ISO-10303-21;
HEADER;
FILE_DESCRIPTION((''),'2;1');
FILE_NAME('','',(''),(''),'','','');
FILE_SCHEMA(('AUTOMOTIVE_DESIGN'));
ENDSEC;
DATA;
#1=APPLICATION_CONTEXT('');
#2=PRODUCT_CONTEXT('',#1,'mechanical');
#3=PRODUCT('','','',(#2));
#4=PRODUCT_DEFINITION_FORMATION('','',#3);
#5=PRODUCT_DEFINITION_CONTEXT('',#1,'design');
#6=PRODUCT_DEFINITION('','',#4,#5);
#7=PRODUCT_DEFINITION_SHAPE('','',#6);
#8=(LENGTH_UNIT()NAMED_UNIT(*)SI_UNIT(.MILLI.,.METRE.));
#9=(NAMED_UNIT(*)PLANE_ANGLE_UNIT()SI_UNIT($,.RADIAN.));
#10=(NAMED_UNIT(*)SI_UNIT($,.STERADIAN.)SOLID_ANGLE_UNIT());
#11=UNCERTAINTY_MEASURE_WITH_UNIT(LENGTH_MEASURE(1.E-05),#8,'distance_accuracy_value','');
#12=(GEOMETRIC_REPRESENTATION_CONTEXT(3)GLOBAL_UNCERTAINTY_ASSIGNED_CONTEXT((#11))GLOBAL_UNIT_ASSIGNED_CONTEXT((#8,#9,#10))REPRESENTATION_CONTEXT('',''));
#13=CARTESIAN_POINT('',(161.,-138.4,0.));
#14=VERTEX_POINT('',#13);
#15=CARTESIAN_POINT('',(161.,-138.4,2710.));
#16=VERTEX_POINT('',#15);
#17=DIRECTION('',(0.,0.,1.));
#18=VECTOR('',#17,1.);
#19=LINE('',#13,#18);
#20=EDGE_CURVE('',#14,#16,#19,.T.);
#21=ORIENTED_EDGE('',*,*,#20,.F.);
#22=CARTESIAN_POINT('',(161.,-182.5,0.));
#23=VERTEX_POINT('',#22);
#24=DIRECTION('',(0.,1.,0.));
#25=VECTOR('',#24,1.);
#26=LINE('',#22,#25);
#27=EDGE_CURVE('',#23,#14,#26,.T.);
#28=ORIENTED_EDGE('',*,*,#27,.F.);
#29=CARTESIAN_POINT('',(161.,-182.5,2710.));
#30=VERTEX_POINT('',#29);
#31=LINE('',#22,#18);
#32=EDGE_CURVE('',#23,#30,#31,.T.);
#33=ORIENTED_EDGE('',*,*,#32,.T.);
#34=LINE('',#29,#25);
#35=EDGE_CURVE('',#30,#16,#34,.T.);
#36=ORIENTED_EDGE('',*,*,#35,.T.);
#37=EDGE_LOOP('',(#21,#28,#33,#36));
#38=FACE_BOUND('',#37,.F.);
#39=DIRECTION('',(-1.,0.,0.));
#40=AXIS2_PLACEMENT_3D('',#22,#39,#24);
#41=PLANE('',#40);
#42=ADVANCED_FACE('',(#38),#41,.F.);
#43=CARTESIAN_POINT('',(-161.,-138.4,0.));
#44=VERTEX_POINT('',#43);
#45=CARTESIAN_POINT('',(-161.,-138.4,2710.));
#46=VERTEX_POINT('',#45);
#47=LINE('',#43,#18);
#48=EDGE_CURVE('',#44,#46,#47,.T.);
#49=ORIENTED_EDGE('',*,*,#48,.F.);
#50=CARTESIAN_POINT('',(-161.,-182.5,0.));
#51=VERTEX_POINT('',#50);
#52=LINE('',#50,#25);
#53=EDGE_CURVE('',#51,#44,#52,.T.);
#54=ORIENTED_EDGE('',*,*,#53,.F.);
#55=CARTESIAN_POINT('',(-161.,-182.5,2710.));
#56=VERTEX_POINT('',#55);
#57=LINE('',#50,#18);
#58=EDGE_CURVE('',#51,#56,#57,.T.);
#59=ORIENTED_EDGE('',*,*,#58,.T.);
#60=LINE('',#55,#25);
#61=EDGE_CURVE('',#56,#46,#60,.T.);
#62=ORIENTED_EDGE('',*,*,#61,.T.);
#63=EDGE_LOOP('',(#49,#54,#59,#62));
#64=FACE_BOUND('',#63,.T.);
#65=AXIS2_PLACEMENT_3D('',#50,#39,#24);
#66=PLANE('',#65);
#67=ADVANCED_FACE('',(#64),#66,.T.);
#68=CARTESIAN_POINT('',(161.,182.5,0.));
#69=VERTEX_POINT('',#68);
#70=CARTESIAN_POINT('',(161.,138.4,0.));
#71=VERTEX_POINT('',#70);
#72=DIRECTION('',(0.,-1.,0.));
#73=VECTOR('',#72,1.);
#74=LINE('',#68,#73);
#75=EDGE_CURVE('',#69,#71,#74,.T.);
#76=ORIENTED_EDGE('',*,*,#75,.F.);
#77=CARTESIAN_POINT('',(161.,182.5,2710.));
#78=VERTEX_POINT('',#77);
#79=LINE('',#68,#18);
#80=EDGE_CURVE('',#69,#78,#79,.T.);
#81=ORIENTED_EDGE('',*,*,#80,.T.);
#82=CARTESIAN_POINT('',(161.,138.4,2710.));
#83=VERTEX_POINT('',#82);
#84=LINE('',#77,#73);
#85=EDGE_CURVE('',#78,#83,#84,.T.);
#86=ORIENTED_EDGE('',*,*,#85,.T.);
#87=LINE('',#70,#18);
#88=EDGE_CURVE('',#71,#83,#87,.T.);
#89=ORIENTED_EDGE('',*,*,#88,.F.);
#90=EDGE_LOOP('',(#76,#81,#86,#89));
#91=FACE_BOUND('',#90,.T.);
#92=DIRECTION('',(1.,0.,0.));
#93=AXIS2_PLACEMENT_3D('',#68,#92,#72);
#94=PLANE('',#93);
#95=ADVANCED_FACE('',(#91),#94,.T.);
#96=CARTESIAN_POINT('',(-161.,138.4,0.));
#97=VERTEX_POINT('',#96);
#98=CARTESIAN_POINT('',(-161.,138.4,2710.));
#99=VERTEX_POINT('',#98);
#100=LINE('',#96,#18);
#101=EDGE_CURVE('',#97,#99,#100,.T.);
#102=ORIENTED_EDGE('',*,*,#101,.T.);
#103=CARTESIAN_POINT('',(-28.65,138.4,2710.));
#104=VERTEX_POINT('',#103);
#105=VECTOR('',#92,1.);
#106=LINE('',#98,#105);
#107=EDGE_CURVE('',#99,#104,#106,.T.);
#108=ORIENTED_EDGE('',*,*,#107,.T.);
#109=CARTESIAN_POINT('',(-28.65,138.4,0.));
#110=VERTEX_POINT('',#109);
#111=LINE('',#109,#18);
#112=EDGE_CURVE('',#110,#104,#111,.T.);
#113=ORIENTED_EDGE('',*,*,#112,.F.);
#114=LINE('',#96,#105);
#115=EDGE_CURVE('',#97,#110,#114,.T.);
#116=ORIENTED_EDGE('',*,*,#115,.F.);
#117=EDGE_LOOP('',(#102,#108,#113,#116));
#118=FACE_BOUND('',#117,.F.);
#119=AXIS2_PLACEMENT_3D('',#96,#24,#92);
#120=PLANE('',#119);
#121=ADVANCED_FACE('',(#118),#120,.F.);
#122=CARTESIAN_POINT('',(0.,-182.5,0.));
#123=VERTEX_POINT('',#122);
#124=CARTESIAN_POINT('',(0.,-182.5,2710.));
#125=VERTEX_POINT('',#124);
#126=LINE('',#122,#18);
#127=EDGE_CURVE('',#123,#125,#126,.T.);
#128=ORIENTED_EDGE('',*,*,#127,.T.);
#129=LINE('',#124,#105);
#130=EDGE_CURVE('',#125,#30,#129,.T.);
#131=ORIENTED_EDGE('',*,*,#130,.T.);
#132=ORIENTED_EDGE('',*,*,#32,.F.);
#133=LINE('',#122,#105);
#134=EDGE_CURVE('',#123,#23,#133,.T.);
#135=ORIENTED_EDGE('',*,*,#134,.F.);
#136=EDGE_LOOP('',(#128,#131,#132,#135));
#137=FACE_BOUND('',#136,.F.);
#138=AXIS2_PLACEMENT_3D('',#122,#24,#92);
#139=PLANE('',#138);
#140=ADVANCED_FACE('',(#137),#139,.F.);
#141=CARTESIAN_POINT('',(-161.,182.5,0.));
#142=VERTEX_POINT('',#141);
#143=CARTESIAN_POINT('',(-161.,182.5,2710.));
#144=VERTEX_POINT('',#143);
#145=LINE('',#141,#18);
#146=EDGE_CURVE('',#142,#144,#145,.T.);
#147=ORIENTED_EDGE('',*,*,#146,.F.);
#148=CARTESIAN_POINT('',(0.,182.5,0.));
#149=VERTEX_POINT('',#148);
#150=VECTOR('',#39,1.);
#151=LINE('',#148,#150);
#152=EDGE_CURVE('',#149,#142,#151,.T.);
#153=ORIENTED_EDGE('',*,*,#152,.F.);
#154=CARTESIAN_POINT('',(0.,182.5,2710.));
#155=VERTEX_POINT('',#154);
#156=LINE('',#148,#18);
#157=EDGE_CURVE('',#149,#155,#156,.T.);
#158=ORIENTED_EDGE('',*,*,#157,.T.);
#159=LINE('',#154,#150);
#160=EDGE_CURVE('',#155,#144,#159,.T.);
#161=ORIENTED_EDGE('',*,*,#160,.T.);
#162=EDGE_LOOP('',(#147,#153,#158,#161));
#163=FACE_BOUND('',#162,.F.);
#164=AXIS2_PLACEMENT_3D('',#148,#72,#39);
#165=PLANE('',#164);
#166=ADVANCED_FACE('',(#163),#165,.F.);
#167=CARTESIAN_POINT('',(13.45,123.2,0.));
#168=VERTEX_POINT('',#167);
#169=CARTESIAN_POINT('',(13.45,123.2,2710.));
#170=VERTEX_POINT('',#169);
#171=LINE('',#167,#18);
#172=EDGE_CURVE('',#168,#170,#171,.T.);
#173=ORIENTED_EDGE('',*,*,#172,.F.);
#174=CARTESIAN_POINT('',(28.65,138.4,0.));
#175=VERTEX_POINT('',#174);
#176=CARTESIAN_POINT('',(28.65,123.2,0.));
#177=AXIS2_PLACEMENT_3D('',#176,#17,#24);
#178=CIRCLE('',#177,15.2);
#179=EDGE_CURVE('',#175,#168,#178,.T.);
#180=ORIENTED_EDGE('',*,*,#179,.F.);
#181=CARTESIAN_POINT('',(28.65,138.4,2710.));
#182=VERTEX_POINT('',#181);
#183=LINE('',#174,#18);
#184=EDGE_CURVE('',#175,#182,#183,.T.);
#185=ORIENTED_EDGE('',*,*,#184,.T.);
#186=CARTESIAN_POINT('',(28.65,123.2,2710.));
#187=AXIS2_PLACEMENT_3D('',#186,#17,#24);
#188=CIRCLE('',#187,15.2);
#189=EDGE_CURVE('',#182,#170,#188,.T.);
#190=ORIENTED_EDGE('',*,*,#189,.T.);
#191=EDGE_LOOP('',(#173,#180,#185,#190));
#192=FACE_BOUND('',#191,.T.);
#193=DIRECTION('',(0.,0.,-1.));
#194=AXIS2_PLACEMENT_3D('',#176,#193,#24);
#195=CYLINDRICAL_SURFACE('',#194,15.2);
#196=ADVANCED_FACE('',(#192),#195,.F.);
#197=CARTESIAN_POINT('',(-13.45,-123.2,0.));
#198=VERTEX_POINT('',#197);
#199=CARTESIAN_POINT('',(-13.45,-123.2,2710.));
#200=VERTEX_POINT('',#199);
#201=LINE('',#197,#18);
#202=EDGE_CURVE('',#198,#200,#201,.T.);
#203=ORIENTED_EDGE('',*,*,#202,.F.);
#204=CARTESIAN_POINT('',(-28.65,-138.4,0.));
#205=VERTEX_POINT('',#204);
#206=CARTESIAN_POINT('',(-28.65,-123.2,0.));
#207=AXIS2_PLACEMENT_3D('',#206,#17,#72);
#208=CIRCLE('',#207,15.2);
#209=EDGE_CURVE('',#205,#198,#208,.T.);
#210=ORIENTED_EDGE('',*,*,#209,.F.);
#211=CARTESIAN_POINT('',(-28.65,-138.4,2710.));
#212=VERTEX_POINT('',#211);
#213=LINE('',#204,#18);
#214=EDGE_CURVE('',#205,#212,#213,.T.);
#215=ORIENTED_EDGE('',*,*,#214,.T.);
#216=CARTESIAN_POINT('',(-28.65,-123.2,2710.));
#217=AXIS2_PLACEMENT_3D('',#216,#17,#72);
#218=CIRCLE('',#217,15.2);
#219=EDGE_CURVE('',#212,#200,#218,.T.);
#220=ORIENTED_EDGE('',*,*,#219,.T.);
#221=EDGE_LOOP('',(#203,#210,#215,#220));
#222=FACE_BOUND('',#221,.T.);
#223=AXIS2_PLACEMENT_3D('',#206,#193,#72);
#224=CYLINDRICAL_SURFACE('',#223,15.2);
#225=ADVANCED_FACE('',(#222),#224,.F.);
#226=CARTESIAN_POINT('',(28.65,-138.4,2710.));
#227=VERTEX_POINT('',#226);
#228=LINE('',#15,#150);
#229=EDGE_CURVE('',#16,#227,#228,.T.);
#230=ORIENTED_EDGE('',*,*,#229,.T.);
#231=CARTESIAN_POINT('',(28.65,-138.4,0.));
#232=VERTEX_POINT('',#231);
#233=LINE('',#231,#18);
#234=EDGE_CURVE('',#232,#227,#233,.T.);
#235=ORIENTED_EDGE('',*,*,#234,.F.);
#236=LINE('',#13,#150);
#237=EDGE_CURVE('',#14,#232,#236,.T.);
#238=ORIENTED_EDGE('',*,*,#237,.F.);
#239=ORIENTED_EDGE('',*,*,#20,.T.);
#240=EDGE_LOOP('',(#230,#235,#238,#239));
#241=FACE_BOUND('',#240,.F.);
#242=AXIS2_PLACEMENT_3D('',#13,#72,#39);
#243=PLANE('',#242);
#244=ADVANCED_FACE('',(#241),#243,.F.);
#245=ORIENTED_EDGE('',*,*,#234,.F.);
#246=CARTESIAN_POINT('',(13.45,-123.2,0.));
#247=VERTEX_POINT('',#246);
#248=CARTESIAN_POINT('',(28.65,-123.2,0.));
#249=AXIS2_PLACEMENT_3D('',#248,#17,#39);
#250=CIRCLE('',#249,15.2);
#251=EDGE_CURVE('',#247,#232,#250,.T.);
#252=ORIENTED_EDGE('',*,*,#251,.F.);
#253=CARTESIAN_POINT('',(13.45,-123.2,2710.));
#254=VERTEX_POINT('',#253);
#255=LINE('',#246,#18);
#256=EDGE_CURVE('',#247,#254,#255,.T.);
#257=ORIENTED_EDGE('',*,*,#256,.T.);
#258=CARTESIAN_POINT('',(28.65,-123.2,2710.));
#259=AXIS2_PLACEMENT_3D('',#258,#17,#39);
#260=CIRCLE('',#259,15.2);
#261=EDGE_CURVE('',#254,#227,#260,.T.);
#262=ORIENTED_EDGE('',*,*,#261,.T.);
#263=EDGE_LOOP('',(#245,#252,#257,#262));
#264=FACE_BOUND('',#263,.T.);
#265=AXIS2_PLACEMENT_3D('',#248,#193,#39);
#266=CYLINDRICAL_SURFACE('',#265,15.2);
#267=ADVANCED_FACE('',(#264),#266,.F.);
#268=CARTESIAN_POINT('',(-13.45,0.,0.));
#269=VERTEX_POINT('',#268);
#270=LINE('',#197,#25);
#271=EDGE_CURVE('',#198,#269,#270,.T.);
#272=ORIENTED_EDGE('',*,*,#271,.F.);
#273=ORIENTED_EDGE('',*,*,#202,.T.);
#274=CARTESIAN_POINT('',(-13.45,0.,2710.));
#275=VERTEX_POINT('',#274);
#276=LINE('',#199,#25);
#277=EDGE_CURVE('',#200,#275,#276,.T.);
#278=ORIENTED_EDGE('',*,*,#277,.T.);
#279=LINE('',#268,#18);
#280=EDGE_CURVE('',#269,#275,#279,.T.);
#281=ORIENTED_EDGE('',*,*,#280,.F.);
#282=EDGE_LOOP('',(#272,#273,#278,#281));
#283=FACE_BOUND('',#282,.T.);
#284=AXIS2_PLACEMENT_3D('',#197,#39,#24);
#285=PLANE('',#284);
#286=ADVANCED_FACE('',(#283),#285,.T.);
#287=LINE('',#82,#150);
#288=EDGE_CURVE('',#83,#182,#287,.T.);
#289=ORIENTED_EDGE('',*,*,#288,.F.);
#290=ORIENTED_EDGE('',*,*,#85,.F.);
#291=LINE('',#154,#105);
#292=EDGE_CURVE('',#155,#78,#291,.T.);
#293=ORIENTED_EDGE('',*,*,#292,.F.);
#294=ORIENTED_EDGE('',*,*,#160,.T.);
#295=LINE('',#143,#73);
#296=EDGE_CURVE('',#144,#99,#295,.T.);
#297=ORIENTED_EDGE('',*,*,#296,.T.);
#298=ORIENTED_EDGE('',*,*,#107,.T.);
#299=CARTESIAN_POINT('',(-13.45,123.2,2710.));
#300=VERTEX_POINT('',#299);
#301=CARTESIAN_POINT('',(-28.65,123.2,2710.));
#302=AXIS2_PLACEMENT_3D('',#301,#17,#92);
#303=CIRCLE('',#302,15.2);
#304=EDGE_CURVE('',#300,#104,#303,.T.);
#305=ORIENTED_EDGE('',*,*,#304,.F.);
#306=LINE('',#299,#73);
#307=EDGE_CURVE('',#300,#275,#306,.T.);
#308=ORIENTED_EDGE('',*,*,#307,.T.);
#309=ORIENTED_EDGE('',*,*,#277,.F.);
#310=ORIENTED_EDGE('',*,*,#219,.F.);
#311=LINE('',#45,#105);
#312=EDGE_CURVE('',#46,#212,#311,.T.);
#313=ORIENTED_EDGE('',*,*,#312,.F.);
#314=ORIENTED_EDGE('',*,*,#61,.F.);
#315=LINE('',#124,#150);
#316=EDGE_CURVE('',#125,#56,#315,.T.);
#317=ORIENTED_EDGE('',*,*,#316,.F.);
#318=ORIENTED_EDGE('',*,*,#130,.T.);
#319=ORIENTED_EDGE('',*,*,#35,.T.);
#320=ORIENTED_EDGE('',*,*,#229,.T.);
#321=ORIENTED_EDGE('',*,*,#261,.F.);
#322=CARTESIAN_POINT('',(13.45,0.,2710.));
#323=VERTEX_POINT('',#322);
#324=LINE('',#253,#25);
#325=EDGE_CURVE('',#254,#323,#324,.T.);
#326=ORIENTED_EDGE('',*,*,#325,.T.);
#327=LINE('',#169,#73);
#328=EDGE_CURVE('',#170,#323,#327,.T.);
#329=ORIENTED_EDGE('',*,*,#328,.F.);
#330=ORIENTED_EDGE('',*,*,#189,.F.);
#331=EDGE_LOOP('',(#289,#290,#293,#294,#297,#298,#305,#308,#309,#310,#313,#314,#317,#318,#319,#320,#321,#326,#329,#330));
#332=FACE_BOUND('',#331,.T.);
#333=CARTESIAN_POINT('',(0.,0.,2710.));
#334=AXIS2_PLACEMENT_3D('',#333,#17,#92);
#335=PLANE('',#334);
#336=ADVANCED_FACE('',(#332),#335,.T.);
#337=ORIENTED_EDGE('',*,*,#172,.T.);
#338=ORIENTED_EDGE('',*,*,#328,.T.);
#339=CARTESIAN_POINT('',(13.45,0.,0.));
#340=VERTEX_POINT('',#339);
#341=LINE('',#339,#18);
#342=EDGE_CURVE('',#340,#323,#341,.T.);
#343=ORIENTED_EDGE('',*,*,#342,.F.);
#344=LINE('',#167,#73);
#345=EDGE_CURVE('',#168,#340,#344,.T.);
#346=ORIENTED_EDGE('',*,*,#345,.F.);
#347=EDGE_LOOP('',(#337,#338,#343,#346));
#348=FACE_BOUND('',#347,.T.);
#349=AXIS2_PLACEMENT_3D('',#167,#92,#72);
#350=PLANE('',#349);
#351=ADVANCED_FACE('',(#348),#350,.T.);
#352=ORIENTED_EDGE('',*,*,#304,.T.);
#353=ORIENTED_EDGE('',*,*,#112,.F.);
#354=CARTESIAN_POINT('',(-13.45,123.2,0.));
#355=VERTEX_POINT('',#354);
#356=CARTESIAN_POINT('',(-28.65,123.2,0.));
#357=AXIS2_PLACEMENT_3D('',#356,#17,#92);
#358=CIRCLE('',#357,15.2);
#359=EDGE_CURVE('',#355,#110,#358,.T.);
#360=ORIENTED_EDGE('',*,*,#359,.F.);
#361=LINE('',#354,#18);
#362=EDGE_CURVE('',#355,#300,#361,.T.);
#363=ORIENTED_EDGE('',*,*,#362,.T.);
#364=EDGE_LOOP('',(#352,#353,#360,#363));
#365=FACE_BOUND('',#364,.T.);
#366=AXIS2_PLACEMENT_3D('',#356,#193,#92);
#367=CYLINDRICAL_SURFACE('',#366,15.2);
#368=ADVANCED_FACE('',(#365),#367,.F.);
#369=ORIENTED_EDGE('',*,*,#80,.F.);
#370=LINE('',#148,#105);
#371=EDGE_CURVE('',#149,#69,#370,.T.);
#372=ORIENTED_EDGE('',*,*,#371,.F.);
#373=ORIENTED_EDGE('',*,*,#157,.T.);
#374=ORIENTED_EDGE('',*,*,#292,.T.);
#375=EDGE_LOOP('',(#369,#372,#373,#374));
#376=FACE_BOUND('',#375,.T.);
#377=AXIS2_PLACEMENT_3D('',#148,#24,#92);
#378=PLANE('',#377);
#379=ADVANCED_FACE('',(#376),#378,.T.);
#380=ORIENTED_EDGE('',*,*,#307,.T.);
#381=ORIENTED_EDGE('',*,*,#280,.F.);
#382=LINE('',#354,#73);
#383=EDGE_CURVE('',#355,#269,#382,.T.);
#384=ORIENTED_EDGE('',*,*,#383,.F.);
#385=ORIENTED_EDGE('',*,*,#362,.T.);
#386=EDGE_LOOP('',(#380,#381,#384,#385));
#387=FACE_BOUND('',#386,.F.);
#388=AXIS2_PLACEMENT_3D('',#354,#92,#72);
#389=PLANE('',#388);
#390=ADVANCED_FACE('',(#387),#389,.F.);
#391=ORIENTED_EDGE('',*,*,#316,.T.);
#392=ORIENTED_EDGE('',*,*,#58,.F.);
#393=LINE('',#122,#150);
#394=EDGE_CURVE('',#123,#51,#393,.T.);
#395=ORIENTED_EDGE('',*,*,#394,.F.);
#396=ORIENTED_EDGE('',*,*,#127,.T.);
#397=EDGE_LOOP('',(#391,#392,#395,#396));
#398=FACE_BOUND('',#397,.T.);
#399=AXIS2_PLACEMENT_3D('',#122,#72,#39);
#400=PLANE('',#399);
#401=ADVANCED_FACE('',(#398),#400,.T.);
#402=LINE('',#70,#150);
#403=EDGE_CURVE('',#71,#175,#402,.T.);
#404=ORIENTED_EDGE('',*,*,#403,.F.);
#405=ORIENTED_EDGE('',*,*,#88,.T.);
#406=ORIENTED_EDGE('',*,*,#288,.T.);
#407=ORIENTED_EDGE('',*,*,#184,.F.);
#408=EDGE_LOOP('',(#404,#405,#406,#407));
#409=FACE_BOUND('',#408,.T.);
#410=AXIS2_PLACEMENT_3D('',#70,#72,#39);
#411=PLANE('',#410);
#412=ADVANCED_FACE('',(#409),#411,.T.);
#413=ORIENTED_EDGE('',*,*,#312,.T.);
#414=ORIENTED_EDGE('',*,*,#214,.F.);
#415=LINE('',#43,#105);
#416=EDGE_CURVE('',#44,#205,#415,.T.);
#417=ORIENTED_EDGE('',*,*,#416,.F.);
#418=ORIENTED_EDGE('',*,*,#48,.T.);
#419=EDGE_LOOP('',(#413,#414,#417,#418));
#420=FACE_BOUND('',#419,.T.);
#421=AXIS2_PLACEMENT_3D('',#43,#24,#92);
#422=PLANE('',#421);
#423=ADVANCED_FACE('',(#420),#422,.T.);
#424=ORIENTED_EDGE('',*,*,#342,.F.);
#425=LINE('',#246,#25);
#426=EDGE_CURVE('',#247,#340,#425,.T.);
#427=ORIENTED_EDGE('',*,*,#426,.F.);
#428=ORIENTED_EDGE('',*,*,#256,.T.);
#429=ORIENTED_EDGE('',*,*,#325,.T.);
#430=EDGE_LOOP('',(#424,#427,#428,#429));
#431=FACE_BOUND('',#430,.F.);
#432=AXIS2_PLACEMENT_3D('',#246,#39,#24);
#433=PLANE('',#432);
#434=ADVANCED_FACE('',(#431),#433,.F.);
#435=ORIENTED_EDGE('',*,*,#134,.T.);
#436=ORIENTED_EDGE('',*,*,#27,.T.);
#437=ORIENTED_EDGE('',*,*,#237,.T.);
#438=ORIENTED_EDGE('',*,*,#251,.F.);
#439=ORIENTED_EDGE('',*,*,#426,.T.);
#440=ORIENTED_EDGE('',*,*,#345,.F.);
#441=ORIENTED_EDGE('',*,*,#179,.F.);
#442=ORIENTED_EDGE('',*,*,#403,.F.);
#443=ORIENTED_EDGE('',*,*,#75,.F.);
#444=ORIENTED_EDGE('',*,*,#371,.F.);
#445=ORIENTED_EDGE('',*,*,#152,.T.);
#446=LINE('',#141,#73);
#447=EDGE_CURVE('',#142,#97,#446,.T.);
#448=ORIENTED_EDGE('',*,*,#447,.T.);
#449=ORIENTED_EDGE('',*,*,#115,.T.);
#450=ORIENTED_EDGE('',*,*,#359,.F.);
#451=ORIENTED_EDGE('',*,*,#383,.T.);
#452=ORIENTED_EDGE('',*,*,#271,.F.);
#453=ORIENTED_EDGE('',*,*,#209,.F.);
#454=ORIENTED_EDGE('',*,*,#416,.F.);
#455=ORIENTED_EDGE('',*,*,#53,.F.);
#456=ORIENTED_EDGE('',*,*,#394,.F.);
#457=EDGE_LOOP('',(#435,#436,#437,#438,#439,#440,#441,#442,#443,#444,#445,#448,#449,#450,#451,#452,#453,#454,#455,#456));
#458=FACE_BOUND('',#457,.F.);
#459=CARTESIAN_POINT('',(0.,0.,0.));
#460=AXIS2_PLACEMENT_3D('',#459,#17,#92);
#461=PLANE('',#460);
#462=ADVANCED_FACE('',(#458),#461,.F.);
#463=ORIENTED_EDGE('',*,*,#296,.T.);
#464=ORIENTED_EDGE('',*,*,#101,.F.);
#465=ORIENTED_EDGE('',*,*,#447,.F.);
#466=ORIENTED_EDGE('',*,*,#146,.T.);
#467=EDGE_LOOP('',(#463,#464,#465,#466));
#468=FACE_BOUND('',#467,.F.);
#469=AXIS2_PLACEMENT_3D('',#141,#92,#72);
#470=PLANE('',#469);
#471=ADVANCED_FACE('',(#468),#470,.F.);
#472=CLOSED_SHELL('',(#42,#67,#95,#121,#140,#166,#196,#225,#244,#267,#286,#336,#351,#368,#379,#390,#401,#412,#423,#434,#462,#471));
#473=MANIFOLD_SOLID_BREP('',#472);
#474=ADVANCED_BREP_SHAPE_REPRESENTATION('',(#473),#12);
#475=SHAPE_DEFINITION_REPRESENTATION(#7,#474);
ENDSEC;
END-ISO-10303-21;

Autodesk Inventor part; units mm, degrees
ref_plane "YZ Plane" through (0, 0, 0) normal (1, 0, 0) x (0, 1, 0)
ref_plane "Start plane" through (0, 0, 0) normal (0, 0, 1) x (1, 0, 0)
ref_plane "End plane" through (0, 0, 2710) normal (0, 0, 1) x (1, 0, 0)
sketch "Sketch" plane through (0, 0, 0) normal (0, 0, 1) x (1, 0, 0)
  line L0 (-161, -182.5) -> (-161, -138.4)
  line L1 (-161, -138.4) -> (-28.65, -138.4)
  line L2 (-13.45, -123.2) -> (-13.45, 0)
  line L3 (-13.45, 0) -> (0, 0) construction
  line L4 (0, 0) -> (0, -182.5) construction
  line L5 (0, -182.5) -> (-161, -182.5)
  line L6 (-60, 0) -> (80, 0) construction
  line L7 (0, -60) -> (0, 80) construction
  line L8 (161, -182.5) -> (161, -138.4)
  line L9 (161, -138.4) -> (28.65, -138.4)
  line L10 (13.45, -123.2) -> (13.45, 0)
  line L11 (13.45, 0) -> (0, 0) construction
  line L12 (0, -182.5) -> (161, -182.5)
  line L13 (-161, 182.5) -> (-161, 138.4)
  line L14 (-161, 138.4) -> (-28.65, 138.4)
  line L15 (-13.45, 123.2) -> (-13.45, 0)
  line L16 (0, 182.5) -> (-161, 182.5)
  line L17 (161, 182.5) -> (161, 138.4)
  line L18 (161, 138.4) -> (28.65, 138.4)
  line L19 (0, 182.5) -> (161, 182.5)
  line L20 (13.45, 123.2) -> (13.45, 0)
  arc A0 (-13.45, 123.2) -> (-28.65, 138.4) centre (-28.65, 123.2) ccw
  arc A1 (28.65, 138.4) -> (13.45, 123.2) centre (28.65, 123.2) ccw
  arc A2 (13.45, -123.2) -> (28.65, -138.4) centre (28.65, -123.2) ccw
  arc A3 (-28.65, -138.4) -> (-13.45, -123.2) centre (-28.65, -123.2) ccw
  line L21 (0, 108) -> (0, -88) construction
  line L22 (-88, 0) -> (108, 0) construction
  point P0 (-13.45, -138.4)
  point P1 (13.45, -138.4)
  point P2 (-13.45, 138.4)
  point P3 (13.45, 138.4)
  dimension "d1" = 182.5
  dimension "d2" = 44.1
  dimension "d3" = 161
  dimension "d4" = 13.45
  dimension "d10" = 15.2
extrude "Body" add sketch "Sketch" along normal up to surface (2710 mm away) from surface at 0
sketch "Sketch4" plane through (0, 0, 0) normal (0, 0, 1) x (1, 0, 0)
  line L0 (0, 0) -> (10, 0)
ref_plane "Work Plane3" through (0, 0, 0) normal (0, -1, 0) x (1, 0, 0)
sketch "Sketch5" plane through (0, 0, 0) normal (0, -1, 0) x (1, 0, 0)
  line L0 (-2, 0) -> (12, 0) projected
  line L1 (-2, 2710) -> (12, 2710) projected
  dimension "d14" = 2710
equation "\"d1\" = 0.5 * G_H"
equation "\"d2\" = G_T1"
equation "\"d3\" = 0.5 * G_W"
equation "\"d4\" = 0.5 * G_T"
equation "\"d10\" = G_IR"
equation "\"d5\" = G_L"
equation "\"G_W\" = 322"
equation "\"G_H\" = 365"
equation "\"G_T\" = 26.9"
equation "\"G_T1\" = 44.1"
equation "\"G_IR\" = 15.2"
equation "\"G_L\" = d14"
equation "\"G_OFFSET_START\" = 0"
equation "\"G_OFFSET_END\" = 0"
properties part number "AS 3679 - 310 UC - 283 - 2710" material "Steel, Mild"
